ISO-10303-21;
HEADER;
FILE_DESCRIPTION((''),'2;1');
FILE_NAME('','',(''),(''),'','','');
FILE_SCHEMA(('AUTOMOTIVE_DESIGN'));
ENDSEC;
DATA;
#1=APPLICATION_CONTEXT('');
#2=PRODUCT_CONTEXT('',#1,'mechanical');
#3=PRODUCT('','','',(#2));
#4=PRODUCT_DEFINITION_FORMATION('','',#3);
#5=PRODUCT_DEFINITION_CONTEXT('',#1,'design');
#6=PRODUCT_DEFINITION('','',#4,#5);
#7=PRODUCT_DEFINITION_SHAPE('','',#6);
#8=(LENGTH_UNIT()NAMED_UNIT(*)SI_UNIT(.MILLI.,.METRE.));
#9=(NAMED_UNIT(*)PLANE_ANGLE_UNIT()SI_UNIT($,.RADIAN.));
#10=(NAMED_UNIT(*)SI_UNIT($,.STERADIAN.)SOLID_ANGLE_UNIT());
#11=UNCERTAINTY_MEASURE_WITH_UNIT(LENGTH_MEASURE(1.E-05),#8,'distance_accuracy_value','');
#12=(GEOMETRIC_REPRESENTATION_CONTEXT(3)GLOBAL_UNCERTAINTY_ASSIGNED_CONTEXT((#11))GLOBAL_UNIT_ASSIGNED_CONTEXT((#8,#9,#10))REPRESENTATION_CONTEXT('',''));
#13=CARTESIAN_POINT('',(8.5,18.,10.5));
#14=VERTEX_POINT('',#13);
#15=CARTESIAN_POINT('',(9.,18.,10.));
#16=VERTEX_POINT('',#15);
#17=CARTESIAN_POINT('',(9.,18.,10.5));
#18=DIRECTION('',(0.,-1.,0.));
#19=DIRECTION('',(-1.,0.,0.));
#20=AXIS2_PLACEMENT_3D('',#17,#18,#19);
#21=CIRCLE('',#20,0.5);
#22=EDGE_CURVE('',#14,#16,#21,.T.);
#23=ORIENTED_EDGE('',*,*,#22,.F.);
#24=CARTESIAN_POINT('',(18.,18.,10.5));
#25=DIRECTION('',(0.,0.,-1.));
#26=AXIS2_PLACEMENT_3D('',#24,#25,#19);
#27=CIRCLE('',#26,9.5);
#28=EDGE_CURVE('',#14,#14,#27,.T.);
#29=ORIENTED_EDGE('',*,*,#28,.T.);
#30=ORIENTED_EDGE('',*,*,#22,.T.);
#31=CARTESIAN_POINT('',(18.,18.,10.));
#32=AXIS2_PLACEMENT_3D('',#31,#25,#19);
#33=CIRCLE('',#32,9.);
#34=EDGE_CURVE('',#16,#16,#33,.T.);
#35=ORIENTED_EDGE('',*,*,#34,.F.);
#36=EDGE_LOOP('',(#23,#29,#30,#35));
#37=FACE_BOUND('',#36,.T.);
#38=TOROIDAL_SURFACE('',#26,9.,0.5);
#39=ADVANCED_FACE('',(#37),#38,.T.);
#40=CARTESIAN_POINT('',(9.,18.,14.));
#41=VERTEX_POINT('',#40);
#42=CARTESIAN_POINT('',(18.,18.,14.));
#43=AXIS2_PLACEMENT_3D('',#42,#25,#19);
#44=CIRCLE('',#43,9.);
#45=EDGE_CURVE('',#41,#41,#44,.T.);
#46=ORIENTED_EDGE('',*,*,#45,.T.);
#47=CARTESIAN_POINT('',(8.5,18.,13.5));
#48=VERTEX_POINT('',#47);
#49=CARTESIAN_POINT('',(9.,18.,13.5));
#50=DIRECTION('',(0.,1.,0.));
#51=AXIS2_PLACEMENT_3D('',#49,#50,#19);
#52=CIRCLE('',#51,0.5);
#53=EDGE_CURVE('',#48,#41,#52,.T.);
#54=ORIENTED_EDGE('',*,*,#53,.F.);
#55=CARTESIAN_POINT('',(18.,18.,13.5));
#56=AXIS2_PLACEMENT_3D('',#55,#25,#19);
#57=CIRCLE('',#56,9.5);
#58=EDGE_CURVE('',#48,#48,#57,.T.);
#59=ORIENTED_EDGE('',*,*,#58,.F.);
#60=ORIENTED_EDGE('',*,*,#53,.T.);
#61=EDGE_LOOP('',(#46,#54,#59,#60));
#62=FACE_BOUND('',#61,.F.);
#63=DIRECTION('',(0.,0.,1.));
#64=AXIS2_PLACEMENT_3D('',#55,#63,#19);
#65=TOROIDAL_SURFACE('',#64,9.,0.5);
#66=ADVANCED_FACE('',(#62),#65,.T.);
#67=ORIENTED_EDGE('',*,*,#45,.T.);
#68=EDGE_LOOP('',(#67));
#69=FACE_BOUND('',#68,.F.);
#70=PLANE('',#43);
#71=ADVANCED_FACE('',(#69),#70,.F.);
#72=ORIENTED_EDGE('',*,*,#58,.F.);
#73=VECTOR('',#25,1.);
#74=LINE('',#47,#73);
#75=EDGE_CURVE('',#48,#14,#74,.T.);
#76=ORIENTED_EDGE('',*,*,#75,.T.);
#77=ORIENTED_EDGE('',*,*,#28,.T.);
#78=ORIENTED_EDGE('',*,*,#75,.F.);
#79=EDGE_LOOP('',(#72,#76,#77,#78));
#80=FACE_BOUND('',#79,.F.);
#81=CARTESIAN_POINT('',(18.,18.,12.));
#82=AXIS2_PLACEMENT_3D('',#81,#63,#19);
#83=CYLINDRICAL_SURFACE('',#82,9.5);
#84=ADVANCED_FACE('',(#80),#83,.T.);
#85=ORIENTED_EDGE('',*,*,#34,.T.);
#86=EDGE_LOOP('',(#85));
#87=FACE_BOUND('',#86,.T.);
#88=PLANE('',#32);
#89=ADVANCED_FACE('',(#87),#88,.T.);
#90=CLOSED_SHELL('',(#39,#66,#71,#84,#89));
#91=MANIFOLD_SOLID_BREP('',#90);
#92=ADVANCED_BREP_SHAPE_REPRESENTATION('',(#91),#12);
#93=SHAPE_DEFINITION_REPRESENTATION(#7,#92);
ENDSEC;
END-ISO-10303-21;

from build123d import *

# Parameters (mm, degrees)
CYLINDER002_R             = 9.5
CYLINDER002_DEPTH         = 2
FILLET003_R               = 0.5
CYLINDER003_R             = 9.5
CYLINDER003_DEPTH         = 2
FILLET002_R               = 0.5
FUSION002_PLACEMENT_ANGLE = 180


with BuildPart() as fillet003:
    # Cylinder002 → Cylinder002 (new body)
    with BuildSketch(Plane.XY.offset(12)):
        Circle(CYLINDER002_R)
    extrude(amount=CYLINDER002_DEPTH)

    # Fillet003
    fillet003_edges = [fillet003.edges().sort_by_distance(p)[0] for p in [
        (-9.5, 0, 14),
    ]]
    fillet(fillet003_edges, radius=FILLET003_R)


with BuildPart() as disc:
    # Cylinder003 → Cylinder003 (new body)
    with BuildSketch(Plane.XY.offset(11)):
        Circle(CYLINDER003_R)
    extrude(amount=CYLINDER003_DEPTH)

    # Fillet002
    fillet002_edges = [disc.edges().sort_by_distance(p)[0] for p in [
        (-9.5, 0, 11),
    ]]
    fillet(fillet002_edges, radius=FILLET002_R)


with BuildPart() as disc_1:
    # Fillet002 placement: moved
    add(disc.part.moved(Location((0, 0, -1))))

    # Fusion002: union Fillet003
    add(fillet003.part)


with BuildPart() as disc_2:
    # Fusion002 placement: moved
    add(disc_1.part.moved(Location((18, 18, 24))).rotate(Axis((18, 18, 24), (0, 1, 0)), FUSION002_PLACEMENT_ANGLE))


solid = disc_2.part
